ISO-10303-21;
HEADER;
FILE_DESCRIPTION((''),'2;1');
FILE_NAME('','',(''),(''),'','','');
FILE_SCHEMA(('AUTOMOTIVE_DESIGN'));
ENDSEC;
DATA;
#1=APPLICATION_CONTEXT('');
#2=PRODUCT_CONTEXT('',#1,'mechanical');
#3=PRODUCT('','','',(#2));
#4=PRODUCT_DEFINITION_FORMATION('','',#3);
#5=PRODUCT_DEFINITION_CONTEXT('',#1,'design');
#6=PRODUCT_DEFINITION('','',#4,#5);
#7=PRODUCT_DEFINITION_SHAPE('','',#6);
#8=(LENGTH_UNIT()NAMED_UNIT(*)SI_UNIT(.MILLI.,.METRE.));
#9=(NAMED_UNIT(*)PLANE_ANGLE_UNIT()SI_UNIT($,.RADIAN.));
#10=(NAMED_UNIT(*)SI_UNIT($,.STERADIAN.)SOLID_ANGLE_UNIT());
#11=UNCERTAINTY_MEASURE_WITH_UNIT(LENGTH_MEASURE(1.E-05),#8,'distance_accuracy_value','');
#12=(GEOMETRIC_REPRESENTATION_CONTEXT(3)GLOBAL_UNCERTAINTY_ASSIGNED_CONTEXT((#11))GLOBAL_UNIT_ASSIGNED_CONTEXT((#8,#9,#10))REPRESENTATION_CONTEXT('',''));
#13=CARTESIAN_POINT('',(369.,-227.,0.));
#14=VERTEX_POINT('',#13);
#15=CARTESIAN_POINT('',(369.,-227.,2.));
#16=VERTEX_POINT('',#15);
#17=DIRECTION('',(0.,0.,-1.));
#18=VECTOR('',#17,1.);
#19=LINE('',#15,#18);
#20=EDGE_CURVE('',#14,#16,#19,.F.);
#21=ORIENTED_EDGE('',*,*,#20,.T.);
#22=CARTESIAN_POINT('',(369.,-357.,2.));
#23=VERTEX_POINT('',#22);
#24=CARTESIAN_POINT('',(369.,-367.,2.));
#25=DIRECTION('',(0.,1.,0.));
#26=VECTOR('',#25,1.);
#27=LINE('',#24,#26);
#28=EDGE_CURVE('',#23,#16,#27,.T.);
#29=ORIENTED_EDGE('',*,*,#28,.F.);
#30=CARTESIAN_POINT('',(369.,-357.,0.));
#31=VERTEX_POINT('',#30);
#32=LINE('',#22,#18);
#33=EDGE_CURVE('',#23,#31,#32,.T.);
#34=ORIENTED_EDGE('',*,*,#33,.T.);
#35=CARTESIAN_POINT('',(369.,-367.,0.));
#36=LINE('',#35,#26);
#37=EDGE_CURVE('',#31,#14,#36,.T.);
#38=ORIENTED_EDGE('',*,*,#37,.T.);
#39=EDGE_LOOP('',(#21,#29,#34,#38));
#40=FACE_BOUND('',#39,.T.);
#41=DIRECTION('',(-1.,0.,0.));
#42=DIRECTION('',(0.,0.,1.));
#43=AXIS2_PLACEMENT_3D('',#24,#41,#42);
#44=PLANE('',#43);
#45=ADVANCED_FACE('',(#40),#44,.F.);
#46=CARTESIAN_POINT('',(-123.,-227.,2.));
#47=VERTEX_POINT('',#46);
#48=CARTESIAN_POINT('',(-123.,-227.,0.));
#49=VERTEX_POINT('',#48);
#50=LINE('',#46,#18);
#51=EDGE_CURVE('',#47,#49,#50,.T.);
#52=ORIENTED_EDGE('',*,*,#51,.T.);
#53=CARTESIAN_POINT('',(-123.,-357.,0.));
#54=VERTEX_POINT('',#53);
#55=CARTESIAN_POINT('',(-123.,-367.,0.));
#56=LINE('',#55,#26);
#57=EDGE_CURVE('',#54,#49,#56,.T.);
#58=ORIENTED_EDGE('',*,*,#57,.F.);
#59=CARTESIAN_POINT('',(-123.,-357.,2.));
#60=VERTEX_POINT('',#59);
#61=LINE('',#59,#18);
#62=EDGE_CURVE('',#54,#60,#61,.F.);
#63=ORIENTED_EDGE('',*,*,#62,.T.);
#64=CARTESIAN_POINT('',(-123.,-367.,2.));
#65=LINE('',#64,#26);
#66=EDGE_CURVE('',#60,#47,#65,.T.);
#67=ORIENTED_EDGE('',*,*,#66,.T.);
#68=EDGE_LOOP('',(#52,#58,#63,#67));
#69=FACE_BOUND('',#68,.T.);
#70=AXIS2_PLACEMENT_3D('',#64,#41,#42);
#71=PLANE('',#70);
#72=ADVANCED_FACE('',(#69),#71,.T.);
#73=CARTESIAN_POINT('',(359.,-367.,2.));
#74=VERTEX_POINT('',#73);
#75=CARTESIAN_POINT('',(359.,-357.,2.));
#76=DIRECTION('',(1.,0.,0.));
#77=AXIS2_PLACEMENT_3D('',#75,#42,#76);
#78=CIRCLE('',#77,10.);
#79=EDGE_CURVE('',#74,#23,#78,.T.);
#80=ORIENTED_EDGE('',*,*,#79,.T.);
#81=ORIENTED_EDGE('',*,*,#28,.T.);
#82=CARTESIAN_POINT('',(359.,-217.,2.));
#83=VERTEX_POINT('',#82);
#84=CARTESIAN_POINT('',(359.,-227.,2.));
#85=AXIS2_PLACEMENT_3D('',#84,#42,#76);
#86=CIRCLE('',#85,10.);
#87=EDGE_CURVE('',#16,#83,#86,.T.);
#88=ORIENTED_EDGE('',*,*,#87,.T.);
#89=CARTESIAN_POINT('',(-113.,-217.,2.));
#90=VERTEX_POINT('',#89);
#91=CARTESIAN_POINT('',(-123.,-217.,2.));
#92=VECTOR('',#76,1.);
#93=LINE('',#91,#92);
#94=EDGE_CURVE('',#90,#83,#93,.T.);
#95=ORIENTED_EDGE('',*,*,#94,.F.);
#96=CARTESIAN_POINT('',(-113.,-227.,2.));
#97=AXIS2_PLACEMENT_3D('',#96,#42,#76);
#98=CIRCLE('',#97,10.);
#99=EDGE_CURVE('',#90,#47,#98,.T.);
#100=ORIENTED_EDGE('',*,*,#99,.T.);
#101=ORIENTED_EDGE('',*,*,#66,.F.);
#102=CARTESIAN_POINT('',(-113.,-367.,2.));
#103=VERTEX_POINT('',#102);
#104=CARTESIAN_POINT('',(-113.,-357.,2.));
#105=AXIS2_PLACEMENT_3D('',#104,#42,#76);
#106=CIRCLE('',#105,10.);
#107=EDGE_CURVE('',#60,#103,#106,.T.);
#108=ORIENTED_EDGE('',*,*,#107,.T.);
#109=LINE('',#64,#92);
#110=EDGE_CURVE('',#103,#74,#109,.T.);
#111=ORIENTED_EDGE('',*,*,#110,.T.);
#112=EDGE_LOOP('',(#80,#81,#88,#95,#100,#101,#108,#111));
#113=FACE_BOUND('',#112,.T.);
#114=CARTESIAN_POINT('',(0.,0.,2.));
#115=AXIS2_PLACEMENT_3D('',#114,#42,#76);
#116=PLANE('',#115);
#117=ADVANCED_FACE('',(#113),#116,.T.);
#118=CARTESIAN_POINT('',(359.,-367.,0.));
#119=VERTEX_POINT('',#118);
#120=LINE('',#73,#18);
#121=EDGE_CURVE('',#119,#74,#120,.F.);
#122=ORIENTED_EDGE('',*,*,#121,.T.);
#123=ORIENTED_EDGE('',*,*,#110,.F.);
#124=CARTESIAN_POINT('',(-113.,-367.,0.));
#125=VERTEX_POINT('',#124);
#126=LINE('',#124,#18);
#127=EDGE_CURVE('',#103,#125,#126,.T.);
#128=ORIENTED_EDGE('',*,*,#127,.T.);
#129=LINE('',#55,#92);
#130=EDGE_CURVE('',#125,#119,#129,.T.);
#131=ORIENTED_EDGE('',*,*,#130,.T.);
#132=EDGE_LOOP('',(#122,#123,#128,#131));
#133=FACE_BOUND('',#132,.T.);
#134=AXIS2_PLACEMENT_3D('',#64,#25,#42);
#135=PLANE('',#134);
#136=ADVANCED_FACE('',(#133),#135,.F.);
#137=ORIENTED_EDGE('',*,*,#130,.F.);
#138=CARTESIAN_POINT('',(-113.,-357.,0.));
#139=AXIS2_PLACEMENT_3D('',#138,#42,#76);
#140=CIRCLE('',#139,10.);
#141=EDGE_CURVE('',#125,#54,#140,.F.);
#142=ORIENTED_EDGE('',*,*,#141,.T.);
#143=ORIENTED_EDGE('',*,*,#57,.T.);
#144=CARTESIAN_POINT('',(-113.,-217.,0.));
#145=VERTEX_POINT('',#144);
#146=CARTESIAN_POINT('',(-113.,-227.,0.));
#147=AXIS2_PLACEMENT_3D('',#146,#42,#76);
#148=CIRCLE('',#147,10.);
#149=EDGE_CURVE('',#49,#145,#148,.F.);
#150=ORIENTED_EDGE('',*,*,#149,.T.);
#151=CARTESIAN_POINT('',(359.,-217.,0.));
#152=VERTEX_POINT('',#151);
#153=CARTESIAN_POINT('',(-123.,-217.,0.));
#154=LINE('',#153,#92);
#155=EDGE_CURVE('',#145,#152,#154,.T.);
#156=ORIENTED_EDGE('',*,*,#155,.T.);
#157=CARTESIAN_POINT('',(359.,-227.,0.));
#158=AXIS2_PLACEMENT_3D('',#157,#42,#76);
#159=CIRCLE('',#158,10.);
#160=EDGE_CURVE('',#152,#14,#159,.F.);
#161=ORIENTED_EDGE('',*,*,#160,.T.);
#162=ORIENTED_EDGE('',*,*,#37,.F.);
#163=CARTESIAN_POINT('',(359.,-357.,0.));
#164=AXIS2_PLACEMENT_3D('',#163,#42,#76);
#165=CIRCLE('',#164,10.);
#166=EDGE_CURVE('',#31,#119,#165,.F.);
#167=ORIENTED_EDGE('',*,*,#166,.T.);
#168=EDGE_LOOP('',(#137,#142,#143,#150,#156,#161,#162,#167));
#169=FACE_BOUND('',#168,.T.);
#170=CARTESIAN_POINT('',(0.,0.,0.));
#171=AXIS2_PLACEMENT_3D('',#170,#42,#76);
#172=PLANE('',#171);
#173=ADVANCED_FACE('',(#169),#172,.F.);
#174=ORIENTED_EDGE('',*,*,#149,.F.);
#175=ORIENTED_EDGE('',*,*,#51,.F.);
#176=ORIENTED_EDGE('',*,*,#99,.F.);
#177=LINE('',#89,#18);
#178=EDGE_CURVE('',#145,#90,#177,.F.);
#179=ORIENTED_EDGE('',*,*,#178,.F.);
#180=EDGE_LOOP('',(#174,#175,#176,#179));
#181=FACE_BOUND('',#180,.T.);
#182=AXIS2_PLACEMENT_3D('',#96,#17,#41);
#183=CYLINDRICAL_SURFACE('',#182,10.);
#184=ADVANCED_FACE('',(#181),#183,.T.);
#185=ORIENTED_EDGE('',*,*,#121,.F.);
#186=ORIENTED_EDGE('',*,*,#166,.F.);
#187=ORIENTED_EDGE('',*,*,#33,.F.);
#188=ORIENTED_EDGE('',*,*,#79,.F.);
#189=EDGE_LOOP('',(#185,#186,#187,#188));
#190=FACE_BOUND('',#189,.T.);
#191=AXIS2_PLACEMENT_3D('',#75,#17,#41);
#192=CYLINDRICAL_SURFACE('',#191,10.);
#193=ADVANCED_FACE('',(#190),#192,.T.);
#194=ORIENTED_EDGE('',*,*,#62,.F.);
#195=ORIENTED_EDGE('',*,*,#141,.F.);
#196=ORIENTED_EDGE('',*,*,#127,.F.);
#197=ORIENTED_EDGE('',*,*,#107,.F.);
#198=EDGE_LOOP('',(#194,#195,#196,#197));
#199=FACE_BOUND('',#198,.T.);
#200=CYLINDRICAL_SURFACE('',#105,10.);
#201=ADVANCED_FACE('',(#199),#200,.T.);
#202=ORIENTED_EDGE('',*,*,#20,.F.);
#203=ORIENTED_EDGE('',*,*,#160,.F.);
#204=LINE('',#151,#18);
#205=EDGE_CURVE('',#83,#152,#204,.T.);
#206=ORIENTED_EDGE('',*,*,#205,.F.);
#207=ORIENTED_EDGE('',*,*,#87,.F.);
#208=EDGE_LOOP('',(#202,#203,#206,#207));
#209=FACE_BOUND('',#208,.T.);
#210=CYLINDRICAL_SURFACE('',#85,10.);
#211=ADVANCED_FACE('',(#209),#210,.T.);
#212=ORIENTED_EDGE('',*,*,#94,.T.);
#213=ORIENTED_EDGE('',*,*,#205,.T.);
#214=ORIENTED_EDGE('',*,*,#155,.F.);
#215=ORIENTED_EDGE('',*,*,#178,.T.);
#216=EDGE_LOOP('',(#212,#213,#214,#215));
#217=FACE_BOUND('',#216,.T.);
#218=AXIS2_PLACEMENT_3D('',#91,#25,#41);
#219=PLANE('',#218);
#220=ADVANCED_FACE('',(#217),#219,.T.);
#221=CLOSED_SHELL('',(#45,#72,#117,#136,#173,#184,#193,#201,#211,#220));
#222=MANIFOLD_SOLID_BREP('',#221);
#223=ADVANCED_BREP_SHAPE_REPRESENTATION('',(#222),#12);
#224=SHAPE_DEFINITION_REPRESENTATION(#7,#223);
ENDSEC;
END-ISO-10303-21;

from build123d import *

# Parameters (mm, degrees)
SKETCH1_W           = 492
SKETCH1_H           = 150
BOSS_EXTRUDE1_DEPTH = 2
FILLET1_R           = 10


with BuildPart() as part:
    # Sketch1 → Boss-Extrude1 (new body)
    with BuildSketch(Plane.XY):
        with Locations((123, -292)):
            Rectangle(SKETCH1_W, SKETCH1_H)
    extrude(amount=BOSS_EXTRUDE1_DEPTH)

    # Fillet1
    fillet1_edges = [part.edges().sort_by_distance(p)[0] for p in [
        (-123, -367, 1),
        (-123, -217, 1),
        (369, -217, 1),
        (369, -367, 1),
    ]]
    fillet(fillet1_edges, radius=FILLET1_R)


solid = part.part
